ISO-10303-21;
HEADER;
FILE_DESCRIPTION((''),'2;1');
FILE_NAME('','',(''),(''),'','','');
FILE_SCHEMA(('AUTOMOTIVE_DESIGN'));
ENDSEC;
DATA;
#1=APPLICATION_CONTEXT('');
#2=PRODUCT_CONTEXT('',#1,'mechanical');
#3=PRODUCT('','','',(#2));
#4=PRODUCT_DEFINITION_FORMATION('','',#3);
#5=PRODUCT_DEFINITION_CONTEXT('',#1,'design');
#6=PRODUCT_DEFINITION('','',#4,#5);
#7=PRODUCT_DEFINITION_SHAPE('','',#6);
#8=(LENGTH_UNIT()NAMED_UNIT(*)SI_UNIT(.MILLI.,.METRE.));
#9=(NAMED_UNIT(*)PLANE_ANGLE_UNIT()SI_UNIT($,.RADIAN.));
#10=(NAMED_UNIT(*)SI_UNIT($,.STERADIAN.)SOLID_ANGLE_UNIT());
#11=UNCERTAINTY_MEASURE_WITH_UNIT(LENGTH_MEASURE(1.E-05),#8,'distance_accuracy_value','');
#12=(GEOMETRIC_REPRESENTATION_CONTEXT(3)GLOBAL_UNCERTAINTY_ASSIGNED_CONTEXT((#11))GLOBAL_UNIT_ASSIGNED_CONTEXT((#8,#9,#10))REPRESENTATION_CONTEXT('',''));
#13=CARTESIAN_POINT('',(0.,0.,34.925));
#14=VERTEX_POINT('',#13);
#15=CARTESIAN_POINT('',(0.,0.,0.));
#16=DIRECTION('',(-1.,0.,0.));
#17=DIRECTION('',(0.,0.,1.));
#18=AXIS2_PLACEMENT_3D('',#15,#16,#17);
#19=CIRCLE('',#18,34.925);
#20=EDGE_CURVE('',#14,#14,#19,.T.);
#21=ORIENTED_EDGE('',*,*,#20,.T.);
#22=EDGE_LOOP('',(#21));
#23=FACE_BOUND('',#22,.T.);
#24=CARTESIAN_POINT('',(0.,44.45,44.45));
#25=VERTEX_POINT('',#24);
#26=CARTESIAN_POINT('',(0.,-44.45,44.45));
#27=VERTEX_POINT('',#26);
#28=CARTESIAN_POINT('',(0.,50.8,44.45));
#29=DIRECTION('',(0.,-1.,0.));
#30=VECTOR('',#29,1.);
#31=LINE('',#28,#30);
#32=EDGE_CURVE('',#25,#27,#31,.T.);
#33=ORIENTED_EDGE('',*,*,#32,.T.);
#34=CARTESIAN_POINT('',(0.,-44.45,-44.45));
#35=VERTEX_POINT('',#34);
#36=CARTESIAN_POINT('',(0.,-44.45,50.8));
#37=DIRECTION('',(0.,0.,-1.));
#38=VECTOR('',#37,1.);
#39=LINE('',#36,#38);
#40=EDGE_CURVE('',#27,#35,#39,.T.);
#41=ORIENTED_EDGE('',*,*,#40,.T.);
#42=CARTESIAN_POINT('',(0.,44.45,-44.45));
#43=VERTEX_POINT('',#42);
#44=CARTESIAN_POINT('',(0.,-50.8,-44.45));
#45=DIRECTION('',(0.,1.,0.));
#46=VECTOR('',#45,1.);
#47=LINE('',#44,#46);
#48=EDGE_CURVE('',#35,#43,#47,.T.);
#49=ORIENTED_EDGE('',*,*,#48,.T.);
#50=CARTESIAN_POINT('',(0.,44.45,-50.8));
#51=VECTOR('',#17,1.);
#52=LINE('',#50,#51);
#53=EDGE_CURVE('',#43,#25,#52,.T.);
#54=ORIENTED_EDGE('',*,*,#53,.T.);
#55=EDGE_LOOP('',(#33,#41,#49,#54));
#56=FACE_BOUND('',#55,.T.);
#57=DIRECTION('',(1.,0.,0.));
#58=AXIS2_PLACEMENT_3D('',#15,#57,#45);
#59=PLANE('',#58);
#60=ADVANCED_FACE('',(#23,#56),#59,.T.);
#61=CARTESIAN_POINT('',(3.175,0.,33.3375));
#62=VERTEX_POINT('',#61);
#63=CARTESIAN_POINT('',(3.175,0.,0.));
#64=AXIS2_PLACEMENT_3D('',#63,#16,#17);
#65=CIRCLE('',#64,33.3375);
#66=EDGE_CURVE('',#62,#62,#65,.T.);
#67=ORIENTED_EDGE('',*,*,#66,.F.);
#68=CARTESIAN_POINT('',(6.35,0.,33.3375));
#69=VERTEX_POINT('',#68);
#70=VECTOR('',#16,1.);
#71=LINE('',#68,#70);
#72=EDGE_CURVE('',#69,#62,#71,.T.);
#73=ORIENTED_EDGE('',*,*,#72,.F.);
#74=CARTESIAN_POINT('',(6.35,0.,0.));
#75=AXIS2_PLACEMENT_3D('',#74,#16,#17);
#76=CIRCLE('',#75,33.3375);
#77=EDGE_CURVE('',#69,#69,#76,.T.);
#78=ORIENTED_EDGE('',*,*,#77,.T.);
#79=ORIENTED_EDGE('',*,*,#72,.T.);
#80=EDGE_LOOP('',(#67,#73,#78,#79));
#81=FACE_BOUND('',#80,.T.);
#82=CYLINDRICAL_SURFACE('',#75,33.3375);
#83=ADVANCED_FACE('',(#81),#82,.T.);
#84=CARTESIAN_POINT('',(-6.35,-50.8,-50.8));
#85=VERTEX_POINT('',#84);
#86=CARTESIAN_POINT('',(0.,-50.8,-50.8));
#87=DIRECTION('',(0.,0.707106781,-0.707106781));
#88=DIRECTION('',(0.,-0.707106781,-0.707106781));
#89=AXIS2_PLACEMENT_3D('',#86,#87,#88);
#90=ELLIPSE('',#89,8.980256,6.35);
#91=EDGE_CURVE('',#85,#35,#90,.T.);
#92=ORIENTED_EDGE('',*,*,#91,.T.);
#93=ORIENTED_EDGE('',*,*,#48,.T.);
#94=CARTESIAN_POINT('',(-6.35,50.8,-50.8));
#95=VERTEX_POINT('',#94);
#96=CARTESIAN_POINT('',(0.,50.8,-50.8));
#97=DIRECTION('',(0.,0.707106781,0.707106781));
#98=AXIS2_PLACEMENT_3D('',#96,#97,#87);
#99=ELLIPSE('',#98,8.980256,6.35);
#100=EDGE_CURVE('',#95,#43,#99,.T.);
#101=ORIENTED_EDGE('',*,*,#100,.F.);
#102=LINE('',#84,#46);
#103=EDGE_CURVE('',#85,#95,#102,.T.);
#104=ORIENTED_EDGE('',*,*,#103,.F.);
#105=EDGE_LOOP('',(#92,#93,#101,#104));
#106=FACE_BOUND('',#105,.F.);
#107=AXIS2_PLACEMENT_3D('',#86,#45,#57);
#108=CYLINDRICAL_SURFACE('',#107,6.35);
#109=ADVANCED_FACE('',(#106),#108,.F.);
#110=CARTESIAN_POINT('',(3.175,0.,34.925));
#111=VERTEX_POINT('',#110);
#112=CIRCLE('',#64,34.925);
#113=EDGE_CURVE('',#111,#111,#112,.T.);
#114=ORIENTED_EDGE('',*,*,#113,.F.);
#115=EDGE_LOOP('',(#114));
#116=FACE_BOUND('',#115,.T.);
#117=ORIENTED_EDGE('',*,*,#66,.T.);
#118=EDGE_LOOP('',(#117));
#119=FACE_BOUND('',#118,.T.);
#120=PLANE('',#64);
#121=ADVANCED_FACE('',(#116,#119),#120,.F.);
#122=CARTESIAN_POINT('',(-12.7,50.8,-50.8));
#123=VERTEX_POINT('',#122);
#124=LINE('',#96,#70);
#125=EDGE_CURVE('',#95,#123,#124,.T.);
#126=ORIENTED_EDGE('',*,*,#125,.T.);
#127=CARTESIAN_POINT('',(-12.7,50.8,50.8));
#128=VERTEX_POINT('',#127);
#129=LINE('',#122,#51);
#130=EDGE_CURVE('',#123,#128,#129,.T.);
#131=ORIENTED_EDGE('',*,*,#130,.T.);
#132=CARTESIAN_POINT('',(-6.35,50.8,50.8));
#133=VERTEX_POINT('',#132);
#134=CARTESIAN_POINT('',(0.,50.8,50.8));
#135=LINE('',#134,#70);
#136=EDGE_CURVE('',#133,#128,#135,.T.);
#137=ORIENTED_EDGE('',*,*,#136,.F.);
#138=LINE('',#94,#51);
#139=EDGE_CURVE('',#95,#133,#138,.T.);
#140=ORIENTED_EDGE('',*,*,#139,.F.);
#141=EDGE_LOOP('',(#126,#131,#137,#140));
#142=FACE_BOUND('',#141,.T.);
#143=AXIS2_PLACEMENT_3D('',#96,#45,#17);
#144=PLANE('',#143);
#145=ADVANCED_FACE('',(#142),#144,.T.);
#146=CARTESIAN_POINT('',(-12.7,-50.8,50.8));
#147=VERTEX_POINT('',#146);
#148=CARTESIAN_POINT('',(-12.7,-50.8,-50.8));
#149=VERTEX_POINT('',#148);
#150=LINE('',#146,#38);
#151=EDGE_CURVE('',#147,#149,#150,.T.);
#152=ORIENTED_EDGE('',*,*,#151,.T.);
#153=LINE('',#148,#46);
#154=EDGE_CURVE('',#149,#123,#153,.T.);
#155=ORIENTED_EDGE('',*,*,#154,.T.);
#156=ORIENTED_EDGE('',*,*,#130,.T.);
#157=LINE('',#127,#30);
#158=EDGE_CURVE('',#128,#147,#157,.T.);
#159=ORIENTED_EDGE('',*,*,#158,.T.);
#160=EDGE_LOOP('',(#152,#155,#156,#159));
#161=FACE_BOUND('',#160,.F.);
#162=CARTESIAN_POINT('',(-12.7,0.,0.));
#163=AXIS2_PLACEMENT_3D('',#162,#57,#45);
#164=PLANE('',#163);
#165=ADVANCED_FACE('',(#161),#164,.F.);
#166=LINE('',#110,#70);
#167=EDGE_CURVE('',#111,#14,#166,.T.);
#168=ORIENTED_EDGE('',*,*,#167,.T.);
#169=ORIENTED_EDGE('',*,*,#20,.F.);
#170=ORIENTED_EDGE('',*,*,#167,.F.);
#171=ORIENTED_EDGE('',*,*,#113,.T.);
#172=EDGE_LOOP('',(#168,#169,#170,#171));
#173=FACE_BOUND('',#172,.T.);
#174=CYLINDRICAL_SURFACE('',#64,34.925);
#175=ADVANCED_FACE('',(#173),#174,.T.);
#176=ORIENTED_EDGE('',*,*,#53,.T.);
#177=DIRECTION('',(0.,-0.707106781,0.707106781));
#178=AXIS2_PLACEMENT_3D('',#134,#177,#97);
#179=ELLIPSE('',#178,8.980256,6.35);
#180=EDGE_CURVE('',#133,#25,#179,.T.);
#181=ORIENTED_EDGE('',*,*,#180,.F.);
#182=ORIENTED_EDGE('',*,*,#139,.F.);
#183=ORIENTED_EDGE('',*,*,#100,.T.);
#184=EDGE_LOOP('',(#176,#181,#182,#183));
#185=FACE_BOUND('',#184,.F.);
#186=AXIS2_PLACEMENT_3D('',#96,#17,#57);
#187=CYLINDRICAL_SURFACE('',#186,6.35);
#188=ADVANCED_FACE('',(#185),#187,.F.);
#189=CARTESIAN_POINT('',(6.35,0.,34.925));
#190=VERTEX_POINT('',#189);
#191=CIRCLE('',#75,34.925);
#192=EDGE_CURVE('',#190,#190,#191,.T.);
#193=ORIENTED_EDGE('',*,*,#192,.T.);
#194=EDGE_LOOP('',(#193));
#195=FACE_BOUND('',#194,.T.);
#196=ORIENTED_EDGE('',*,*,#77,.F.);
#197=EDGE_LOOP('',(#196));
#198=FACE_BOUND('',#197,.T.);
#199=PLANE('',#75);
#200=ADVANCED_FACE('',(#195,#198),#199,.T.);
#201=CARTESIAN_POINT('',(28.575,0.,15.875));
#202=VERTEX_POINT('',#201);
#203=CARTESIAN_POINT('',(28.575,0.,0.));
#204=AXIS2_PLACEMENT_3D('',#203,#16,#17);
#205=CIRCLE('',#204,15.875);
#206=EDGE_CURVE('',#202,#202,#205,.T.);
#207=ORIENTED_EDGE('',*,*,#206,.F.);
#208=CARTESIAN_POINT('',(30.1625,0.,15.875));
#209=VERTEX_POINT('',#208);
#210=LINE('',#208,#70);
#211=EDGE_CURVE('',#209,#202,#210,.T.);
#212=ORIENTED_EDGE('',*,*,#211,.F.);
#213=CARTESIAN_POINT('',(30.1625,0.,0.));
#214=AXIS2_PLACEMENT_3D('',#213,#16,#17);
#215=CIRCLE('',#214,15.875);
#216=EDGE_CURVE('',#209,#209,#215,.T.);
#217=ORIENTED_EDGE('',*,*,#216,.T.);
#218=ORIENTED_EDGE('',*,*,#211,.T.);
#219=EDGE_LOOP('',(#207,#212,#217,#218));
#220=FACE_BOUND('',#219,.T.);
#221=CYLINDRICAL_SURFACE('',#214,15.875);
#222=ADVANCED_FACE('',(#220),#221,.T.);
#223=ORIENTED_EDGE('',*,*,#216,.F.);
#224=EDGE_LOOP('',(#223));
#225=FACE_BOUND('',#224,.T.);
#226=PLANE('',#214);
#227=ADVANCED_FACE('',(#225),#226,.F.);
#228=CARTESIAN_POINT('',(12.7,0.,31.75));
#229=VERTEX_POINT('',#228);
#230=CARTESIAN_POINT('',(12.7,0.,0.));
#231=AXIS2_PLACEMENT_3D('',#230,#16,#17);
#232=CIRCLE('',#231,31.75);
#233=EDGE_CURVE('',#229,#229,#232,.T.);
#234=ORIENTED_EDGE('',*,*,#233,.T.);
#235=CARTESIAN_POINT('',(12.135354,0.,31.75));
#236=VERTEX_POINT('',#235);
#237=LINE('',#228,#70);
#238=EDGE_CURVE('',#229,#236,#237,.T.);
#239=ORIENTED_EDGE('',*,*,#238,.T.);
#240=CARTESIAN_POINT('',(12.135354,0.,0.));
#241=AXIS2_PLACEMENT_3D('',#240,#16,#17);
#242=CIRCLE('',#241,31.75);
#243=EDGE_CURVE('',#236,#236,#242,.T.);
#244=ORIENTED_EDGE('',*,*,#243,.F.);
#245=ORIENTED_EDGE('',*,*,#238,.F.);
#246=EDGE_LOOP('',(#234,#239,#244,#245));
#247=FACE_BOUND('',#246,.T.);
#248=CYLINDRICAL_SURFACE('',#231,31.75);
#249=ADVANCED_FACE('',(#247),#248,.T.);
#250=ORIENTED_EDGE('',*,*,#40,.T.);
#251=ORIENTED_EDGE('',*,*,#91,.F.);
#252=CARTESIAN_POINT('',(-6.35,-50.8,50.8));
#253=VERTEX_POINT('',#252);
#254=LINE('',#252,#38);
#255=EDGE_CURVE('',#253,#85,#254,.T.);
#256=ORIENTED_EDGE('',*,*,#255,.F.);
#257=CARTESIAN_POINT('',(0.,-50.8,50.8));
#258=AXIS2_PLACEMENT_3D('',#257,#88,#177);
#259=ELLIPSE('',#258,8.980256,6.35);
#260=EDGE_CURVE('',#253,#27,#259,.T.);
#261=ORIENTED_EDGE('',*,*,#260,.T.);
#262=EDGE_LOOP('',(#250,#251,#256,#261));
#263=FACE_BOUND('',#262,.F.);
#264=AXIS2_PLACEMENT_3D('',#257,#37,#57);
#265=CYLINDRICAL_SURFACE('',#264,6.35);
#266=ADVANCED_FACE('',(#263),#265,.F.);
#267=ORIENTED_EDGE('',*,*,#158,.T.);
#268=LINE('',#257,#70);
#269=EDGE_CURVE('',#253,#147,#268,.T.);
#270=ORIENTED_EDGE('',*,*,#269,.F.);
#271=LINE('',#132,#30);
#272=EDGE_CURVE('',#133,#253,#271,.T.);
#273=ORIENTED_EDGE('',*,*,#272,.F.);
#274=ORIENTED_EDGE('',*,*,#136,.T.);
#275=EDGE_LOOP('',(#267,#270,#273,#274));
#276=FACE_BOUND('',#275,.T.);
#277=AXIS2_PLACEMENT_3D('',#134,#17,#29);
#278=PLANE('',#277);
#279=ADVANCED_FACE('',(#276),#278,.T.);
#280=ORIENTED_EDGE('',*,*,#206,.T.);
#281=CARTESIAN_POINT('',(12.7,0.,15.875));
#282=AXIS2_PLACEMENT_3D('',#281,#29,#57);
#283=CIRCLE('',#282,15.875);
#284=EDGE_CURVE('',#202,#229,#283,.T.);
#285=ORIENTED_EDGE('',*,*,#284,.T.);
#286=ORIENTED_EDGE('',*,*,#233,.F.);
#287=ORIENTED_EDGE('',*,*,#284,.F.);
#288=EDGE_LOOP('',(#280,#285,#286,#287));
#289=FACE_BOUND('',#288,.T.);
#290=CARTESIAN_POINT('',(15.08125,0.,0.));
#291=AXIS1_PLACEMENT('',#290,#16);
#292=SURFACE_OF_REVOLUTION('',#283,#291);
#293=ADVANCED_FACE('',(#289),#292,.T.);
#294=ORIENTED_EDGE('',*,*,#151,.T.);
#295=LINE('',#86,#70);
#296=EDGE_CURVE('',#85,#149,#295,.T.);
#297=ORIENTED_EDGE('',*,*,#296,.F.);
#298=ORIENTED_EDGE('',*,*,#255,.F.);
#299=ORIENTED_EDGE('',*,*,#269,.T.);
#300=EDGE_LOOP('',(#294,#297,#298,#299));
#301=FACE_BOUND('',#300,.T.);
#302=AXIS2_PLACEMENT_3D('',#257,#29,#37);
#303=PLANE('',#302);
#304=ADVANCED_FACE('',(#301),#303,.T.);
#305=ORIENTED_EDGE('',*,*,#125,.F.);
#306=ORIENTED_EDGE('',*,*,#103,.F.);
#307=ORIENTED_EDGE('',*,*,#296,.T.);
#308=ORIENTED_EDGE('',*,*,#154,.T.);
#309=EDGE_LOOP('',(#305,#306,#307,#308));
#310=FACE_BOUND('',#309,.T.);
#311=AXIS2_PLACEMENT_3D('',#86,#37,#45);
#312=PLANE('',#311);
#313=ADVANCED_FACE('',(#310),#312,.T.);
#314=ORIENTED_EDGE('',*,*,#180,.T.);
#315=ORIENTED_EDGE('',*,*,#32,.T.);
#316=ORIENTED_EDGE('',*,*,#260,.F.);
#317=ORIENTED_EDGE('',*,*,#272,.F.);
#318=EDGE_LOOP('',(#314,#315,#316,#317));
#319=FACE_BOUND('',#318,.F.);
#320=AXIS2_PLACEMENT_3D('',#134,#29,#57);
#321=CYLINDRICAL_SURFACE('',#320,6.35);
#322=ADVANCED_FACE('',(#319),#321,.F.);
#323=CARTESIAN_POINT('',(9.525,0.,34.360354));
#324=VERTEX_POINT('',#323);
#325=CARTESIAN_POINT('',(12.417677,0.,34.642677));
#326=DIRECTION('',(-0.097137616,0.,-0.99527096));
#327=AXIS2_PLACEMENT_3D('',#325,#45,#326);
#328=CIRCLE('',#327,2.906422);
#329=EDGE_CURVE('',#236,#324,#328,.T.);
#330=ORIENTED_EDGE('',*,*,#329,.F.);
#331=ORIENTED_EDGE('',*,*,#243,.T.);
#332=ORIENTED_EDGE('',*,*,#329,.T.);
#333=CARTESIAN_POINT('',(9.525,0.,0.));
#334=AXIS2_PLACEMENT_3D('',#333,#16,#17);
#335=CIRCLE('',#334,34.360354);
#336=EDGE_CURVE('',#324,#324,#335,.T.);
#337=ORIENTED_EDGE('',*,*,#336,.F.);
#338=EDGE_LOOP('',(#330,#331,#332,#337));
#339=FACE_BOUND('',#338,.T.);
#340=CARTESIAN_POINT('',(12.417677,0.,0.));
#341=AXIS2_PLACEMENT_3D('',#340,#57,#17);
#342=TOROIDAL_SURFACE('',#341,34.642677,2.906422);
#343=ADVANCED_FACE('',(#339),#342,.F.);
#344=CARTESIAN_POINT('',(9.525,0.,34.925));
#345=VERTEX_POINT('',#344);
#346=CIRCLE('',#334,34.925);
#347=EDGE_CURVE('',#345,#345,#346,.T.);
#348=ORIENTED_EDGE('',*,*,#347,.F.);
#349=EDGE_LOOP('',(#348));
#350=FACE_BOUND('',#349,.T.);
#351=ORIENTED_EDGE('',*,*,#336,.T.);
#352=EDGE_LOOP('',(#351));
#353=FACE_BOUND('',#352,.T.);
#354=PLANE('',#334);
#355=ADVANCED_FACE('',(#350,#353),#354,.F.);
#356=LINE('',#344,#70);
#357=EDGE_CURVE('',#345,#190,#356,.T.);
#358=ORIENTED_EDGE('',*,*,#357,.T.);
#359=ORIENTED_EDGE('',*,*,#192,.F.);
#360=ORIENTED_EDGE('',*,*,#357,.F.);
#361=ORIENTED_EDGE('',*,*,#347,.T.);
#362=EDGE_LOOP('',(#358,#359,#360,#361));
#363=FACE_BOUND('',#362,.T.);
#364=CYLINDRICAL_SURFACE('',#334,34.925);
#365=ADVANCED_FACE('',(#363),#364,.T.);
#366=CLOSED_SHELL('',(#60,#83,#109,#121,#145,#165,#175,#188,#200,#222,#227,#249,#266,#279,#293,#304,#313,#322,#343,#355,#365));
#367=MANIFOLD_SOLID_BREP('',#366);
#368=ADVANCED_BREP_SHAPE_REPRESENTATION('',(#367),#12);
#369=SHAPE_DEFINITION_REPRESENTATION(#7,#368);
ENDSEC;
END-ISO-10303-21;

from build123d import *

# Parameters (mm, degrees)
F3_DEPTH = 12.7
F4_R     = 6.35


with BuildPart() as f1:
    # F0 (on Front) → F1 (revolve)
    with BuildSketch(Plane.XZ):
        with BuildLine():
            Line((0, 34.925), (0, 0))
            Line((0, 0), (30.1625, 0))
            Line((30.1625, 0), (30.1625, 15.875))
            Line((30.1625, 15.875), (28.575, 15.875))
            ThreePointArc((28.575, 15.875), (23.9253201513, 27.1003201513), (12.7, 31.75))
            ThreePointArc((12.7, 31.75), (12.4176771246, 31.7362554152), (12.1353542492, 31.75))
            ThreePointArc((12.1353542492, 31.75), (10.3625266249, 32.5875266249), (9.525, 34.3603542492))
            ThreePointArc((9.525, 34.3603542492), (9.5112554152, 34.6426771246), (9.525, 34.925))
            Line((9.525, 34.925), (6.35, 34.925))
            Line((6.35, 34.925), (6.35, 33.3375))
            Line((6.35, 33.3375), (3.175, 33.3375))
            Line((3.175, 33.3375), (3.175, 34.925))
            Line((3.175, 34.925), (0, 34.925))
        make_face()
        with BuildLine():
            ThreePointArc((12.1353542492, 31.75), (12.4176771246, 31.7362554152), (12.7, 31.75))
            Line((12.7, 31.75), (12.1353542492, 31.75))
        make_face()
        with BuildLine():
            Line((9.525, 34.3603542492), (9.525, 34.925))
            ThreePointArc((9.525, 34.925), (9.5112554152, 34.6426771246), (9.525, 34.3603542492))
        make_face()
    revolve(axis=Axis((15.08125, 0, 0), (-1, 0, 0)))

    # F2 (on Right) → F3 (join)
    with BuildSketch(Plane.YZ):
        Polygon((50.8, 50.8), (-50.8, 50.8), (-50.8, -50.8), (50.8, -50.8), (50.8, 0), align=None)
    extrude(amount=-F3_DEPTH)

    # F5: sweep along a path in F5_path
    with BuildLine(Plane(origin=(0, 50.8, 50.8), x_dir=(0, 0, -1), z_dir=(-1, 0, 0))) as f5_path:
        Line((0, 0), (0, 101.6))
        Line((0, 101.6), (101.6, 101.6))
        Line((101.6, 101.6), (101.6, 0))
        Line((101.6, 0), (0, 0))
    # F4 (on face) → F5 (sweep, cut)
    with BuildSketch(Plane.XZ.offset(50.8)):
        with Locations((0, 50.8)):
            Circle(F4_R)
    sweep(path=f5_path.line, transition=Transition.RIGHT, mode=Mode.SUBTRACT)


solid = f1.part
